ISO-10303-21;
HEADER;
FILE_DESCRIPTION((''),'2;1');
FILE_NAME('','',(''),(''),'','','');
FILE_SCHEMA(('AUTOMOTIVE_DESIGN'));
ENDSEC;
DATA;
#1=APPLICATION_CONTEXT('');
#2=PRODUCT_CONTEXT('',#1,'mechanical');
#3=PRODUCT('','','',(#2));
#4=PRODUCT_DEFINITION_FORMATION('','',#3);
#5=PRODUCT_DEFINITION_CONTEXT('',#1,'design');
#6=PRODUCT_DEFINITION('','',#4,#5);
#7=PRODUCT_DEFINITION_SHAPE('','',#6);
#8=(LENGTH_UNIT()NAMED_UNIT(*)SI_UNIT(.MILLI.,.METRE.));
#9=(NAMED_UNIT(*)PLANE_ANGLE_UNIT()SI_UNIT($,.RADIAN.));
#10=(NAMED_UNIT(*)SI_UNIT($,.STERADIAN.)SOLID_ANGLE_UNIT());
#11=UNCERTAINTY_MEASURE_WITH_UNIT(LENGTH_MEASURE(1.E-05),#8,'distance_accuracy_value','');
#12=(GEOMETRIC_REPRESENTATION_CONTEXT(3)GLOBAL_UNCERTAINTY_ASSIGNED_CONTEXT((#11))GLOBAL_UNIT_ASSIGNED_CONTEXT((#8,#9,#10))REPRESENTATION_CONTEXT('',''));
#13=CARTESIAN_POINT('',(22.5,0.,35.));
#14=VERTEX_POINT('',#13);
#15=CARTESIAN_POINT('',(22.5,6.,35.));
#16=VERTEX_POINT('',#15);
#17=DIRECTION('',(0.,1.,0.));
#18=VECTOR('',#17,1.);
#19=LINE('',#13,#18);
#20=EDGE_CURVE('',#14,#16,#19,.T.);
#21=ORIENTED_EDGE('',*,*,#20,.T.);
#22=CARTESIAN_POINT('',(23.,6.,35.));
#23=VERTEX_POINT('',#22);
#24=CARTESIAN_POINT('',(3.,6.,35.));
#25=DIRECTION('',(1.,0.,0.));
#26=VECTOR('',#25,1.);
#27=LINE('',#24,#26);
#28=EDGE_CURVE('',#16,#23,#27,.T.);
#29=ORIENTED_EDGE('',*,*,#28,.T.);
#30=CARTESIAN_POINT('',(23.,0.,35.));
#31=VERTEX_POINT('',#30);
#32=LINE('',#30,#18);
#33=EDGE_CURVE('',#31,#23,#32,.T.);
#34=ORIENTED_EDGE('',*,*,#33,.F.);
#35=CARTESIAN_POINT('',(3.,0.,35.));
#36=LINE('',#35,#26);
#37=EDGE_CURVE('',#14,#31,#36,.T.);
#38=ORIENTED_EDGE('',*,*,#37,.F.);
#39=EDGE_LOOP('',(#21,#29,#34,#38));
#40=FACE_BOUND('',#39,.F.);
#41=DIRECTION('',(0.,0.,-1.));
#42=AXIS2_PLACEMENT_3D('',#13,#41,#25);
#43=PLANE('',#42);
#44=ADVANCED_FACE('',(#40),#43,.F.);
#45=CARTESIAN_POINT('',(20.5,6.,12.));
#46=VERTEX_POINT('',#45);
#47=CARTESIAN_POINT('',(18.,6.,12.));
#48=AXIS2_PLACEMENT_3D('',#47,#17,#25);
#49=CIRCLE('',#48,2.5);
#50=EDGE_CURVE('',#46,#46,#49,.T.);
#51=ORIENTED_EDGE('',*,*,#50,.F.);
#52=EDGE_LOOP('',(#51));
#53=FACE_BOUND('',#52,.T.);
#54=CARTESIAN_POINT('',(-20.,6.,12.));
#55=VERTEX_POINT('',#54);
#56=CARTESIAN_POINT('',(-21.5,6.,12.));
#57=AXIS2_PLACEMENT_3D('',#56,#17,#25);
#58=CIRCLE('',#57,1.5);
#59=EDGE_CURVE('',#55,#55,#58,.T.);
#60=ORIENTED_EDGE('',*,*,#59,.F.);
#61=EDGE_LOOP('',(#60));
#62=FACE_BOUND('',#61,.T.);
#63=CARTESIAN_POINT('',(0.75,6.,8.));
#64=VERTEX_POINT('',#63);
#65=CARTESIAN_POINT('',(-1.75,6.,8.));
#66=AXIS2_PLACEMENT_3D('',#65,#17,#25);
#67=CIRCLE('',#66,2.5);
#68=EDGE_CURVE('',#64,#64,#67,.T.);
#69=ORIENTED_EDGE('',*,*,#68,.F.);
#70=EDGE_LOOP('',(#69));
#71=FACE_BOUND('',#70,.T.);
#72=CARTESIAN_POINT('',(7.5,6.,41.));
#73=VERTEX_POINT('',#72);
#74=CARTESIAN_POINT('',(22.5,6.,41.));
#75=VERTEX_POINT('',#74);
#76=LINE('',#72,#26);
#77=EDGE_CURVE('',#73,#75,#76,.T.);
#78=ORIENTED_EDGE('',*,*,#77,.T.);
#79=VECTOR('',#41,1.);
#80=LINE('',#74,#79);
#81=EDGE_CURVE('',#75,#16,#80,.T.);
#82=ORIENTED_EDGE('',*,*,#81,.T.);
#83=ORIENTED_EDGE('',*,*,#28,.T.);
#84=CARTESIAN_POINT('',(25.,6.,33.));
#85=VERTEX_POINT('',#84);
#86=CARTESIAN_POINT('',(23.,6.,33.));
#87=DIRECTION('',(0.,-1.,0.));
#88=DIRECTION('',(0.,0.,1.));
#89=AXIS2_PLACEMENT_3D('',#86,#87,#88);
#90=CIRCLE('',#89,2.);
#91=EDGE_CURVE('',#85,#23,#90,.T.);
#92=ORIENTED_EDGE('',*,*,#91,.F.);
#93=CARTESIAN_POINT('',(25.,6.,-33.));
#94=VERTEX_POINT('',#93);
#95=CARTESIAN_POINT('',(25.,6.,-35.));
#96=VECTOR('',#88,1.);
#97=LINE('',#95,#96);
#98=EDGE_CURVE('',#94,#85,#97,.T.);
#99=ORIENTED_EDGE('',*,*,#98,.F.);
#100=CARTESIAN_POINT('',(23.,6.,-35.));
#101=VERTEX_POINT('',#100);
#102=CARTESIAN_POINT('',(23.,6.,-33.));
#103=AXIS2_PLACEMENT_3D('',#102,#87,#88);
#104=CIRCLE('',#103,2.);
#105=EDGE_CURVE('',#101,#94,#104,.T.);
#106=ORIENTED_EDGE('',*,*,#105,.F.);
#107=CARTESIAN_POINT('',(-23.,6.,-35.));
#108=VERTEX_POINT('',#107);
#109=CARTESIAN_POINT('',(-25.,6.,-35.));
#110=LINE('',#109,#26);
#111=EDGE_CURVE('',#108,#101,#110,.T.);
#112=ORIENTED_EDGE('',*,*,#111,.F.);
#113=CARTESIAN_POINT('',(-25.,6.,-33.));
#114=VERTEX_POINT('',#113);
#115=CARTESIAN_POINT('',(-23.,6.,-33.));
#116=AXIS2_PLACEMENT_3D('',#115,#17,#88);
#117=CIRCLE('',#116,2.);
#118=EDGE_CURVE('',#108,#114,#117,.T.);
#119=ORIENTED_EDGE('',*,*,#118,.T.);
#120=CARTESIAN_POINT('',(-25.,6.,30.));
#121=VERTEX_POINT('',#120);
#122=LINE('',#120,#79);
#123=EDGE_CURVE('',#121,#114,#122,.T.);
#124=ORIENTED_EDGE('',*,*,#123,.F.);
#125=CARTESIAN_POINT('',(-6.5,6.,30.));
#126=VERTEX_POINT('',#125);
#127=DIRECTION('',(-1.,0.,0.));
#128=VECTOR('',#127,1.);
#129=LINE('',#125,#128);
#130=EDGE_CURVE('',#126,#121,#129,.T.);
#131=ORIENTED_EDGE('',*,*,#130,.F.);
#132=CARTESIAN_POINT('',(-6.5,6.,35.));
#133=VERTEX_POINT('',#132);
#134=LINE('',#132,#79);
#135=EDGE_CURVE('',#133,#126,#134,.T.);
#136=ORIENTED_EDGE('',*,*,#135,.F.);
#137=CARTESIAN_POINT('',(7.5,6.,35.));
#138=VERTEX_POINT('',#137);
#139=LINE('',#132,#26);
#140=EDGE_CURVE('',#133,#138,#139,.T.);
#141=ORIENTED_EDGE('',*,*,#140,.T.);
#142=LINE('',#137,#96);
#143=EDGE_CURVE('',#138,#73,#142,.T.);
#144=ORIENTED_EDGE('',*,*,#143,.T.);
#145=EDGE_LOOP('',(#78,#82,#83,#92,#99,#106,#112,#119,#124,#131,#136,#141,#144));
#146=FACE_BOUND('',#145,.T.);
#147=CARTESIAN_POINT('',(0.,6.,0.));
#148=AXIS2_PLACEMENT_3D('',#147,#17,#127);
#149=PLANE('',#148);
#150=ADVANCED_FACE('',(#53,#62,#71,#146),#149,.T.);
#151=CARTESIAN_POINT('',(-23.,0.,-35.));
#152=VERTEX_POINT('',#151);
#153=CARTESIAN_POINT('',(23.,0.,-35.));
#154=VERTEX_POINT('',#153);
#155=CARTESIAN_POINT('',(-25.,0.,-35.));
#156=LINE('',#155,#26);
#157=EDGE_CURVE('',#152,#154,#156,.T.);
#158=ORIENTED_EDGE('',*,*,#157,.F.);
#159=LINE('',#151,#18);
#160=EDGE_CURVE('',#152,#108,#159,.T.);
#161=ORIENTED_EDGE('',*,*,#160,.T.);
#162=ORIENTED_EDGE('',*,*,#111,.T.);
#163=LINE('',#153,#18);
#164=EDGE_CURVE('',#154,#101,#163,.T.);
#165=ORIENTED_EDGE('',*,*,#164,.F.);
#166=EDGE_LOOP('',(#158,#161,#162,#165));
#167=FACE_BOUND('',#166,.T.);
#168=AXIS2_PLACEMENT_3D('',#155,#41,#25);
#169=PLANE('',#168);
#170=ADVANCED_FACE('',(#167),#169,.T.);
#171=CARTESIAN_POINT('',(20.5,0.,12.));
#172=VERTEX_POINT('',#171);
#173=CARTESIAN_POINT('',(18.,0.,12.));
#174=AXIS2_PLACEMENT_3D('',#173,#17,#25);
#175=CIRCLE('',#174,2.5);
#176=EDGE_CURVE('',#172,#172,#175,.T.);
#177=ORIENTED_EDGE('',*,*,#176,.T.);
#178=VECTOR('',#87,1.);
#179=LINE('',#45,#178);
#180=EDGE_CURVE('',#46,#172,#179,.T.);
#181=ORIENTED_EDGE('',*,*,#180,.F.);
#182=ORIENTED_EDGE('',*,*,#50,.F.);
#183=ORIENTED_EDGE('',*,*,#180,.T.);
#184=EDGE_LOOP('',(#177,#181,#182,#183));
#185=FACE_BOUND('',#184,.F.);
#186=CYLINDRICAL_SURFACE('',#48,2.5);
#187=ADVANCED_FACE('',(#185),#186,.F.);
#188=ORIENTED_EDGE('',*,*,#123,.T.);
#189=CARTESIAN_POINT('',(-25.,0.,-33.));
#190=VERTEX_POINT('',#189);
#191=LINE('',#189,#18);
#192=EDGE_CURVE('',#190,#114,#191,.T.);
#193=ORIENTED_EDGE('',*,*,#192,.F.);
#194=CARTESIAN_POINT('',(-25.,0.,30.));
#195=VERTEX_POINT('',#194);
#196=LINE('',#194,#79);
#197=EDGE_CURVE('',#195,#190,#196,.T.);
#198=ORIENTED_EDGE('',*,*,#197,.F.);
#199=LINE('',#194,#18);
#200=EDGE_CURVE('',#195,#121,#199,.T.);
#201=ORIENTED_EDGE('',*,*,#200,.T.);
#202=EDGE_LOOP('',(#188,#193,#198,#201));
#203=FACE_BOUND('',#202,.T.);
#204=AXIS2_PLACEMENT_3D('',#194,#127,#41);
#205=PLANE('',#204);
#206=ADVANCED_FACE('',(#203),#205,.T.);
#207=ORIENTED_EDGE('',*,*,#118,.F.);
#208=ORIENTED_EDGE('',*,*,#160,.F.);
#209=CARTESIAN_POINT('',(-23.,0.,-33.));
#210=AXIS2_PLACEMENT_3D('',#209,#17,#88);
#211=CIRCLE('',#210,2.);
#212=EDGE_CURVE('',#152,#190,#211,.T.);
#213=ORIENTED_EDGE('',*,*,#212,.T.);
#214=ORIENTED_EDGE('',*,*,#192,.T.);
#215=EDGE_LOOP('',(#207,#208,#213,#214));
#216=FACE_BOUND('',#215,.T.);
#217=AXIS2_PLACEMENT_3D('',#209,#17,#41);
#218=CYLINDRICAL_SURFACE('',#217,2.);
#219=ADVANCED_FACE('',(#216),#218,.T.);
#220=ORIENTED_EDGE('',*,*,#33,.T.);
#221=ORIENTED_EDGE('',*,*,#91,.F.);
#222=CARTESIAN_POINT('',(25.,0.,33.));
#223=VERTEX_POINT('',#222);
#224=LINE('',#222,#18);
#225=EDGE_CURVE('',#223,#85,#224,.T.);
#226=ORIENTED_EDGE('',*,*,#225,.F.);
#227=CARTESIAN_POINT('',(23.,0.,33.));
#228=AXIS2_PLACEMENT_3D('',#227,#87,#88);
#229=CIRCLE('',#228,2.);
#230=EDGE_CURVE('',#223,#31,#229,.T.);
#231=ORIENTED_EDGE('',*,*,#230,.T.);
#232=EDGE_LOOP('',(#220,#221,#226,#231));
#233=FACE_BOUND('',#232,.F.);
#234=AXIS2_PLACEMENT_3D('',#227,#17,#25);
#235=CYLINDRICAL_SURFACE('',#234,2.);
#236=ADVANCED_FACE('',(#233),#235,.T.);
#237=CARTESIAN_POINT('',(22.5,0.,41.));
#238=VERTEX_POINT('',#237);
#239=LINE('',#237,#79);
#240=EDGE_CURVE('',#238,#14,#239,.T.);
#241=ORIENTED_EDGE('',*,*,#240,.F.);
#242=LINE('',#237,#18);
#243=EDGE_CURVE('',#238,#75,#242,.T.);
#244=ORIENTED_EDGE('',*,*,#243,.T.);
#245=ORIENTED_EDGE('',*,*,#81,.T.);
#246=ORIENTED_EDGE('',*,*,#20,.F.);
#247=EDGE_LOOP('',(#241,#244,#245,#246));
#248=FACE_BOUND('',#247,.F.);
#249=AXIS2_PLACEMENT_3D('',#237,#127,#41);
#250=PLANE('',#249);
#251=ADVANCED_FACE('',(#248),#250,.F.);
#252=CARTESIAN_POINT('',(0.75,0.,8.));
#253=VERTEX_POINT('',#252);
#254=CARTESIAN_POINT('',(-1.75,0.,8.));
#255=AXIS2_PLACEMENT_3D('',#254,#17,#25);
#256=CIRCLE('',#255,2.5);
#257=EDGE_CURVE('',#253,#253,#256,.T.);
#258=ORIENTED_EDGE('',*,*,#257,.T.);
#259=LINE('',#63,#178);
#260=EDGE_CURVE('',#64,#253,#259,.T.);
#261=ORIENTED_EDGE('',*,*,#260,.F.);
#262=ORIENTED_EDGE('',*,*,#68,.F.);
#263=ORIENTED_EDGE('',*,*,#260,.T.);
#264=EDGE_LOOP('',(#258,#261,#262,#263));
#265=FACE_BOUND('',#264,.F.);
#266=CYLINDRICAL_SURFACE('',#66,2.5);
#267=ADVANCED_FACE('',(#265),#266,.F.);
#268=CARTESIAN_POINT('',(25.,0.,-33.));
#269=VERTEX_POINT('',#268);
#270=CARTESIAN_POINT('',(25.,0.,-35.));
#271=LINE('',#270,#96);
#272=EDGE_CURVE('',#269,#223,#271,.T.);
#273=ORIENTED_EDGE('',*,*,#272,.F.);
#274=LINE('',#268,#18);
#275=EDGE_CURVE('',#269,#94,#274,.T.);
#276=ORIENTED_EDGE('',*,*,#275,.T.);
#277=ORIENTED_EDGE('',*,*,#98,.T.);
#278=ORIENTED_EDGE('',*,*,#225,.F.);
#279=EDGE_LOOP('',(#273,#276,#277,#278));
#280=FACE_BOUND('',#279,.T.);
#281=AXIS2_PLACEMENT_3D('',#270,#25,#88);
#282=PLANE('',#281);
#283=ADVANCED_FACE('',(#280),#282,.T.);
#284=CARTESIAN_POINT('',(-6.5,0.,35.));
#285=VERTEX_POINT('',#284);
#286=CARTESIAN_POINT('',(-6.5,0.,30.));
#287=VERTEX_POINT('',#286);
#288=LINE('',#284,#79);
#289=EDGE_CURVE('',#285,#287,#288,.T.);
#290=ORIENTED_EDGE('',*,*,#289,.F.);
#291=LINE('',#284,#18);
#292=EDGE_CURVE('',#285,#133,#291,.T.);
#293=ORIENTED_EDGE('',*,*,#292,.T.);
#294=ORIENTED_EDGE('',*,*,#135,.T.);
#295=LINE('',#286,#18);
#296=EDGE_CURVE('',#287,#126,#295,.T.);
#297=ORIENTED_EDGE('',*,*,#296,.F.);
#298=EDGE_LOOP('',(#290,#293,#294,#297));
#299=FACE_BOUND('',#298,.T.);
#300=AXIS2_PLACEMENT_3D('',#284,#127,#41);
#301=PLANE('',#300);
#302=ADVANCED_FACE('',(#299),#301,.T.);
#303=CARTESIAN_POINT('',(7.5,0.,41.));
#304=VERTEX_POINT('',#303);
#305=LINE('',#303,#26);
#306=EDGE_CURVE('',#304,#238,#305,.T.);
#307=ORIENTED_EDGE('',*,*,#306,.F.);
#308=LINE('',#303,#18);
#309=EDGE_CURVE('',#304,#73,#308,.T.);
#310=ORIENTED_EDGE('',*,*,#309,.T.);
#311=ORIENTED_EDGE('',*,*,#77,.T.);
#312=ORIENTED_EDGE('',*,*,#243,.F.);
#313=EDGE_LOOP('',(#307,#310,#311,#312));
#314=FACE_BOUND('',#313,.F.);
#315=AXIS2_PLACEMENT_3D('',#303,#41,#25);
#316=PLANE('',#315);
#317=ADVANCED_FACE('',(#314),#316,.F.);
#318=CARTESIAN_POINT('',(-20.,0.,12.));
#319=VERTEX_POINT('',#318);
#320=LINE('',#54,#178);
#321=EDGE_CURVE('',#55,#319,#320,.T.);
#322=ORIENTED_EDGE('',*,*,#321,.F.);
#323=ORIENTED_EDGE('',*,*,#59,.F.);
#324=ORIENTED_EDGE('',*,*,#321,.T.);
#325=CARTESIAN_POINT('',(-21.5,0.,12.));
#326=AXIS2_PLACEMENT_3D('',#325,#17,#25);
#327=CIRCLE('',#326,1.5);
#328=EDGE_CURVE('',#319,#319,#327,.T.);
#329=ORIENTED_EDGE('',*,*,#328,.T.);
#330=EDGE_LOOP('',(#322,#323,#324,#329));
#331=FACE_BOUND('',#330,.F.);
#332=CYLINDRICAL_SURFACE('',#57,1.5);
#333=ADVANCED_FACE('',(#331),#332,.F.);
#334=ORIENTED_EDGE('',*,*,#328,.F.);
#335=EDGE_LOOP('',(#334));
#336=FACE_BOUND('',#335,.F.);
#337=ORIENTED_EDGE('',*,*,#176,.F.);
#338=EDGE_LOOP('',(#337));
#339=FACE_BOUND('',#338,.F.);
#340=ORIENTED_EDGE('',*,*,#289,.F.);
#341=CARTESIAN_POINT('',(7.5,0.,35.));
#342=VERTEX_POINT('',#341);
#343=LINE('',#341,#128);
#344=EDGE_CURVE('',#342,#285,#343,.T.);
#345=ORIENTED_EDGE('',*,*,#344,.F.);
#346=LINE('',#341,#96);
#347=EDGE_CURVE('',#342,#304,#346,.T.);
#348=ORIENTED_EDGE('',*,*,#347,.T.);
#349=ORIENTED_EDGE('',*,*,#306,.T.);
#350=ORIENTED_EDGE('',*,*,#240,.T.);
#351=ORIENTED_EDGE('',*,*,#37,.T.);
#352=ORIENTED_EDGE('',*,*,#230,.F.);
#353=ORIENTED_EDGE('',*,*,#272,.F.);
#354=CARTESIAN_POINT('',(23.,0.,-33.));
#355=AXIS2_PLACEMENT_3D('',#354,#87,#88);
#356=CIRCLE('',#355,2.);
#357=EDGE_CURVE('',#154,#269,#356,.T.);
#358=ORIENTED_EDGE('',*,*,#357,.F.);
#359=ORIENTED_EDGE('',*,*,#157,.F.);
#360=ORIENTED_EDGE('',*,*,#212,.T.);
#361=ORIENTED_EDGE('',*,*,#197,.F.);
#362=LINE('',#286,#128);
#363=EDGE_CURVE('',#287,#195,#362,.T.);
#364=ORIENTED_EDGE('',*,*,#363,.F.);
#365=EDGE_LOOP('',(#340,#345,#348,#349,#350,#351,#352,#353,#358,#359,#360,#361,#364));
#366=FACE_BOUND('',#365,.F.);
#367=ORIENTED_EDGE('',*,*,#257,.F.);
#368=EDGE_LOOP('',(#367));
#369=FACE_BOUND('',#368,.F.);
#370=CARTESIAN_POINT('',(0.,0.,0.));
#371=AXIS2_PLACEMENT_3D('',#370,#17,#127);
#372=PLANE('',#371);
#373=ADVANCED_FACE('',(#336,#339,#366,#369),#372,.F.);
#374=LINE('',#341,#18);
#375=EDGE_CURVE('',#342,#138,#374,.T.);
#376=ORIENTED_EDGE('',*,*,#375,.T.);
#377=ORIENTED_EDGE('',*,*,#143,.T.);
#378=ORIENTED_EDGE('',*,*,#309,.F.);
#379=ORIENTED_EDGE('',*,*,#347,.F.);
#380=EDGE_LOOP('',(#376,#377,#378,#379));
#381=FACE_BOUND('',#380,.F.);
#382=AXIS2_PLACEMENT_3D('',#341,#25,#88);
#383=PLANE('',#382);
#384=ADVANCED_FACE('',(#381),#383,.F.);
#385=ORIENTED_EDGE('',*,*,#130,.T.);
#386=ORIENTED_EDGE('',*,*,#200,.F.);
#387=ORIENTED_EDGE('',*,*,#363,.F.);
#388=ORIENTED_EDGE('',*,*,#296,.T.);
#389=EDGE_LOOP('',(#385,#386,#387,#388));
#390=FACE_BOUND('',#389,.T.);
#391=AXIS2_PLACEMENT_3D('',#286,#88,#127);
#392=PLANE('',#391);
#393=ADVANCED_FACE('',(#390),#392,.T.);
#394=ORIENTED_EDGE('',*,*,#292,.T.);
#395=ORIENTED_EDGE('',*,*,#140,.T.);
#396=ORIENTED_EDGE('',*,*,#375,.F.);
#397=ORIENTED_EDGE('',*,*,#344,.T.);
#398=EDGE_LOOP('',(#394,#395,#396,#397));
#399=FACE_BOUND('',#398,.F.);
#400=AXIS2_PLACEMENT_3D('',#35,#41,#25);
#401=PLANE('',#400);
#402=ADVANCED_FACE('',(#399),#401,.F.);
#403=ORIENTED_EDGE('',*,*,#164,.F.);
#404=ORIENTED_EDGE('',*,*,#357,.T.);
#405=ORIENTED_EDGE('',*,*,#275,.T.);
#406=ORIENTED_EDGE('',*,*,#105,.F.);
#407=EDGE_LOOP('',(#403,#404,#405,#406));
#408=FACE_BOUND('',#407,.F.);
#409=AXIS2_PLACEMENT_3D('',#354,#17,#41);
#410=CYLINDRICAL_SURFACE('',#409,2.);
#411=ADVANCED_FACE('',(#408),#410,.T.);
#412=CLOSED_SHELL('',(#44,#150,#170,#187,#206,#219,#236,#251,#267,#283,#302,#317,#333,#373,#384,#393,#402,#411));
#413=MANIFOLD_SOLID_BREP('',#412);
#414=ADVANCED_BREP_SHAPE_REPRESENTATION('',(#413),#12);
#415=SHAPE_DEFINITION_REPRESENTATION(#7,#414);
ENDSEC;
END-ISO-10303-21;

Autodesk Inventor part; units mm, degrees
ref_plane "YZ Plane" through (0, 0, 0) normal (1, 0, 0) x (0, 1, 0)
ref_plane "XZ Plane" through (0, 0, 0) normal (0, 1, 0) x (-1, 0, 0)
ref_plane "XY Plane" through (0, 0, 0) normal (0, 0, 1) x (1, 0, 0)
sketch "Sketch2" plane through (0, 0, 0) normal (0, 1, 0) x (-1, 0, 0)
  line L0 (25, -35) -> (-25, -35)
  line L1 (-25, -35) -> (-25, 35)
  line L2 (25, 30) -> (25, -35)
  line L3 (25, -35) -> (-25, 35) construction
  line L4 (-25, -35) -> (25, 35) construction
  line L5 (12, 35) -> (-3, 35)
  line L6 (6.5, 35) -> (12, 35)
  line L7 (-3, 35) -> (-25, 35)
  line L8 (25, 35) -> (6.5, 35)
  line L9 (6.5, 35) -> (6.5, 30)
  line L10 (6.5, 30) -> (25, 30)
  line L11 (25, 30) -> (25, 35)
  line L12 (-22.5, 35) -> (-7.5, 35)
  line L13 (-7.5, 35) -> (-7.5, 41)
  line L14 (-7.5, 41) -> (-22.5, 41)
  line L15 (-22.5, 41) -> (-22.5, 35)
  point P0 (0, 0)
  point P1 (0, 0)
  point P2 (-7.5, 35)
  dimension "d0" = 50
  dimension "d1" = 70
  dimension "d16" = 18.5
  dimension "d17" = 5
  dimension "d58" = 2.5
  dimension "d59" = 15
  dimension "d60" = 6
extrude "Extrusion3" add sketch "Sketch2" along normal blind 6 contours L0 L1 L7 L5 L9 L10 L2 | L15 L14 L13 L7
fillet "Fillet1" radius 2 3 edges at (25, 3, -35) (-25, 3, -35) (25, 3, 35)
sketch "Sketch4" plane through (0, 6, 0) normal (0, 1, 0) x (1, 0, 0)
  circle A0 centre (-1.75, -8) radius 2.5
  line L0 (25, -33) -> (25, 33) projected
  circle A1 centre (-21.5, -12) radius 1.5
  line L1 (-25, 33) -> (-25, -30) projected
  circle A2 centre (18, -12) radius 2.5
  line L2 (-6.5, -35) -> (7.5, -35) projected
  point P0 (0, 0)
  dimension "d31" = 5
  dimension "d34" = 3
  dimension "d41" = 5
  dimension "d44" = 19.75
  dimension "d45" = 19.75
  dimension "d46" = 7
  dimension "d61" = 23
  dimension "d62" = 27
  dimension "d63" = 23
extrude "Extrusion10" cut sketch "Sketch4" against normal through all
properties part number "Pared_caja_reduccion_MDF"
